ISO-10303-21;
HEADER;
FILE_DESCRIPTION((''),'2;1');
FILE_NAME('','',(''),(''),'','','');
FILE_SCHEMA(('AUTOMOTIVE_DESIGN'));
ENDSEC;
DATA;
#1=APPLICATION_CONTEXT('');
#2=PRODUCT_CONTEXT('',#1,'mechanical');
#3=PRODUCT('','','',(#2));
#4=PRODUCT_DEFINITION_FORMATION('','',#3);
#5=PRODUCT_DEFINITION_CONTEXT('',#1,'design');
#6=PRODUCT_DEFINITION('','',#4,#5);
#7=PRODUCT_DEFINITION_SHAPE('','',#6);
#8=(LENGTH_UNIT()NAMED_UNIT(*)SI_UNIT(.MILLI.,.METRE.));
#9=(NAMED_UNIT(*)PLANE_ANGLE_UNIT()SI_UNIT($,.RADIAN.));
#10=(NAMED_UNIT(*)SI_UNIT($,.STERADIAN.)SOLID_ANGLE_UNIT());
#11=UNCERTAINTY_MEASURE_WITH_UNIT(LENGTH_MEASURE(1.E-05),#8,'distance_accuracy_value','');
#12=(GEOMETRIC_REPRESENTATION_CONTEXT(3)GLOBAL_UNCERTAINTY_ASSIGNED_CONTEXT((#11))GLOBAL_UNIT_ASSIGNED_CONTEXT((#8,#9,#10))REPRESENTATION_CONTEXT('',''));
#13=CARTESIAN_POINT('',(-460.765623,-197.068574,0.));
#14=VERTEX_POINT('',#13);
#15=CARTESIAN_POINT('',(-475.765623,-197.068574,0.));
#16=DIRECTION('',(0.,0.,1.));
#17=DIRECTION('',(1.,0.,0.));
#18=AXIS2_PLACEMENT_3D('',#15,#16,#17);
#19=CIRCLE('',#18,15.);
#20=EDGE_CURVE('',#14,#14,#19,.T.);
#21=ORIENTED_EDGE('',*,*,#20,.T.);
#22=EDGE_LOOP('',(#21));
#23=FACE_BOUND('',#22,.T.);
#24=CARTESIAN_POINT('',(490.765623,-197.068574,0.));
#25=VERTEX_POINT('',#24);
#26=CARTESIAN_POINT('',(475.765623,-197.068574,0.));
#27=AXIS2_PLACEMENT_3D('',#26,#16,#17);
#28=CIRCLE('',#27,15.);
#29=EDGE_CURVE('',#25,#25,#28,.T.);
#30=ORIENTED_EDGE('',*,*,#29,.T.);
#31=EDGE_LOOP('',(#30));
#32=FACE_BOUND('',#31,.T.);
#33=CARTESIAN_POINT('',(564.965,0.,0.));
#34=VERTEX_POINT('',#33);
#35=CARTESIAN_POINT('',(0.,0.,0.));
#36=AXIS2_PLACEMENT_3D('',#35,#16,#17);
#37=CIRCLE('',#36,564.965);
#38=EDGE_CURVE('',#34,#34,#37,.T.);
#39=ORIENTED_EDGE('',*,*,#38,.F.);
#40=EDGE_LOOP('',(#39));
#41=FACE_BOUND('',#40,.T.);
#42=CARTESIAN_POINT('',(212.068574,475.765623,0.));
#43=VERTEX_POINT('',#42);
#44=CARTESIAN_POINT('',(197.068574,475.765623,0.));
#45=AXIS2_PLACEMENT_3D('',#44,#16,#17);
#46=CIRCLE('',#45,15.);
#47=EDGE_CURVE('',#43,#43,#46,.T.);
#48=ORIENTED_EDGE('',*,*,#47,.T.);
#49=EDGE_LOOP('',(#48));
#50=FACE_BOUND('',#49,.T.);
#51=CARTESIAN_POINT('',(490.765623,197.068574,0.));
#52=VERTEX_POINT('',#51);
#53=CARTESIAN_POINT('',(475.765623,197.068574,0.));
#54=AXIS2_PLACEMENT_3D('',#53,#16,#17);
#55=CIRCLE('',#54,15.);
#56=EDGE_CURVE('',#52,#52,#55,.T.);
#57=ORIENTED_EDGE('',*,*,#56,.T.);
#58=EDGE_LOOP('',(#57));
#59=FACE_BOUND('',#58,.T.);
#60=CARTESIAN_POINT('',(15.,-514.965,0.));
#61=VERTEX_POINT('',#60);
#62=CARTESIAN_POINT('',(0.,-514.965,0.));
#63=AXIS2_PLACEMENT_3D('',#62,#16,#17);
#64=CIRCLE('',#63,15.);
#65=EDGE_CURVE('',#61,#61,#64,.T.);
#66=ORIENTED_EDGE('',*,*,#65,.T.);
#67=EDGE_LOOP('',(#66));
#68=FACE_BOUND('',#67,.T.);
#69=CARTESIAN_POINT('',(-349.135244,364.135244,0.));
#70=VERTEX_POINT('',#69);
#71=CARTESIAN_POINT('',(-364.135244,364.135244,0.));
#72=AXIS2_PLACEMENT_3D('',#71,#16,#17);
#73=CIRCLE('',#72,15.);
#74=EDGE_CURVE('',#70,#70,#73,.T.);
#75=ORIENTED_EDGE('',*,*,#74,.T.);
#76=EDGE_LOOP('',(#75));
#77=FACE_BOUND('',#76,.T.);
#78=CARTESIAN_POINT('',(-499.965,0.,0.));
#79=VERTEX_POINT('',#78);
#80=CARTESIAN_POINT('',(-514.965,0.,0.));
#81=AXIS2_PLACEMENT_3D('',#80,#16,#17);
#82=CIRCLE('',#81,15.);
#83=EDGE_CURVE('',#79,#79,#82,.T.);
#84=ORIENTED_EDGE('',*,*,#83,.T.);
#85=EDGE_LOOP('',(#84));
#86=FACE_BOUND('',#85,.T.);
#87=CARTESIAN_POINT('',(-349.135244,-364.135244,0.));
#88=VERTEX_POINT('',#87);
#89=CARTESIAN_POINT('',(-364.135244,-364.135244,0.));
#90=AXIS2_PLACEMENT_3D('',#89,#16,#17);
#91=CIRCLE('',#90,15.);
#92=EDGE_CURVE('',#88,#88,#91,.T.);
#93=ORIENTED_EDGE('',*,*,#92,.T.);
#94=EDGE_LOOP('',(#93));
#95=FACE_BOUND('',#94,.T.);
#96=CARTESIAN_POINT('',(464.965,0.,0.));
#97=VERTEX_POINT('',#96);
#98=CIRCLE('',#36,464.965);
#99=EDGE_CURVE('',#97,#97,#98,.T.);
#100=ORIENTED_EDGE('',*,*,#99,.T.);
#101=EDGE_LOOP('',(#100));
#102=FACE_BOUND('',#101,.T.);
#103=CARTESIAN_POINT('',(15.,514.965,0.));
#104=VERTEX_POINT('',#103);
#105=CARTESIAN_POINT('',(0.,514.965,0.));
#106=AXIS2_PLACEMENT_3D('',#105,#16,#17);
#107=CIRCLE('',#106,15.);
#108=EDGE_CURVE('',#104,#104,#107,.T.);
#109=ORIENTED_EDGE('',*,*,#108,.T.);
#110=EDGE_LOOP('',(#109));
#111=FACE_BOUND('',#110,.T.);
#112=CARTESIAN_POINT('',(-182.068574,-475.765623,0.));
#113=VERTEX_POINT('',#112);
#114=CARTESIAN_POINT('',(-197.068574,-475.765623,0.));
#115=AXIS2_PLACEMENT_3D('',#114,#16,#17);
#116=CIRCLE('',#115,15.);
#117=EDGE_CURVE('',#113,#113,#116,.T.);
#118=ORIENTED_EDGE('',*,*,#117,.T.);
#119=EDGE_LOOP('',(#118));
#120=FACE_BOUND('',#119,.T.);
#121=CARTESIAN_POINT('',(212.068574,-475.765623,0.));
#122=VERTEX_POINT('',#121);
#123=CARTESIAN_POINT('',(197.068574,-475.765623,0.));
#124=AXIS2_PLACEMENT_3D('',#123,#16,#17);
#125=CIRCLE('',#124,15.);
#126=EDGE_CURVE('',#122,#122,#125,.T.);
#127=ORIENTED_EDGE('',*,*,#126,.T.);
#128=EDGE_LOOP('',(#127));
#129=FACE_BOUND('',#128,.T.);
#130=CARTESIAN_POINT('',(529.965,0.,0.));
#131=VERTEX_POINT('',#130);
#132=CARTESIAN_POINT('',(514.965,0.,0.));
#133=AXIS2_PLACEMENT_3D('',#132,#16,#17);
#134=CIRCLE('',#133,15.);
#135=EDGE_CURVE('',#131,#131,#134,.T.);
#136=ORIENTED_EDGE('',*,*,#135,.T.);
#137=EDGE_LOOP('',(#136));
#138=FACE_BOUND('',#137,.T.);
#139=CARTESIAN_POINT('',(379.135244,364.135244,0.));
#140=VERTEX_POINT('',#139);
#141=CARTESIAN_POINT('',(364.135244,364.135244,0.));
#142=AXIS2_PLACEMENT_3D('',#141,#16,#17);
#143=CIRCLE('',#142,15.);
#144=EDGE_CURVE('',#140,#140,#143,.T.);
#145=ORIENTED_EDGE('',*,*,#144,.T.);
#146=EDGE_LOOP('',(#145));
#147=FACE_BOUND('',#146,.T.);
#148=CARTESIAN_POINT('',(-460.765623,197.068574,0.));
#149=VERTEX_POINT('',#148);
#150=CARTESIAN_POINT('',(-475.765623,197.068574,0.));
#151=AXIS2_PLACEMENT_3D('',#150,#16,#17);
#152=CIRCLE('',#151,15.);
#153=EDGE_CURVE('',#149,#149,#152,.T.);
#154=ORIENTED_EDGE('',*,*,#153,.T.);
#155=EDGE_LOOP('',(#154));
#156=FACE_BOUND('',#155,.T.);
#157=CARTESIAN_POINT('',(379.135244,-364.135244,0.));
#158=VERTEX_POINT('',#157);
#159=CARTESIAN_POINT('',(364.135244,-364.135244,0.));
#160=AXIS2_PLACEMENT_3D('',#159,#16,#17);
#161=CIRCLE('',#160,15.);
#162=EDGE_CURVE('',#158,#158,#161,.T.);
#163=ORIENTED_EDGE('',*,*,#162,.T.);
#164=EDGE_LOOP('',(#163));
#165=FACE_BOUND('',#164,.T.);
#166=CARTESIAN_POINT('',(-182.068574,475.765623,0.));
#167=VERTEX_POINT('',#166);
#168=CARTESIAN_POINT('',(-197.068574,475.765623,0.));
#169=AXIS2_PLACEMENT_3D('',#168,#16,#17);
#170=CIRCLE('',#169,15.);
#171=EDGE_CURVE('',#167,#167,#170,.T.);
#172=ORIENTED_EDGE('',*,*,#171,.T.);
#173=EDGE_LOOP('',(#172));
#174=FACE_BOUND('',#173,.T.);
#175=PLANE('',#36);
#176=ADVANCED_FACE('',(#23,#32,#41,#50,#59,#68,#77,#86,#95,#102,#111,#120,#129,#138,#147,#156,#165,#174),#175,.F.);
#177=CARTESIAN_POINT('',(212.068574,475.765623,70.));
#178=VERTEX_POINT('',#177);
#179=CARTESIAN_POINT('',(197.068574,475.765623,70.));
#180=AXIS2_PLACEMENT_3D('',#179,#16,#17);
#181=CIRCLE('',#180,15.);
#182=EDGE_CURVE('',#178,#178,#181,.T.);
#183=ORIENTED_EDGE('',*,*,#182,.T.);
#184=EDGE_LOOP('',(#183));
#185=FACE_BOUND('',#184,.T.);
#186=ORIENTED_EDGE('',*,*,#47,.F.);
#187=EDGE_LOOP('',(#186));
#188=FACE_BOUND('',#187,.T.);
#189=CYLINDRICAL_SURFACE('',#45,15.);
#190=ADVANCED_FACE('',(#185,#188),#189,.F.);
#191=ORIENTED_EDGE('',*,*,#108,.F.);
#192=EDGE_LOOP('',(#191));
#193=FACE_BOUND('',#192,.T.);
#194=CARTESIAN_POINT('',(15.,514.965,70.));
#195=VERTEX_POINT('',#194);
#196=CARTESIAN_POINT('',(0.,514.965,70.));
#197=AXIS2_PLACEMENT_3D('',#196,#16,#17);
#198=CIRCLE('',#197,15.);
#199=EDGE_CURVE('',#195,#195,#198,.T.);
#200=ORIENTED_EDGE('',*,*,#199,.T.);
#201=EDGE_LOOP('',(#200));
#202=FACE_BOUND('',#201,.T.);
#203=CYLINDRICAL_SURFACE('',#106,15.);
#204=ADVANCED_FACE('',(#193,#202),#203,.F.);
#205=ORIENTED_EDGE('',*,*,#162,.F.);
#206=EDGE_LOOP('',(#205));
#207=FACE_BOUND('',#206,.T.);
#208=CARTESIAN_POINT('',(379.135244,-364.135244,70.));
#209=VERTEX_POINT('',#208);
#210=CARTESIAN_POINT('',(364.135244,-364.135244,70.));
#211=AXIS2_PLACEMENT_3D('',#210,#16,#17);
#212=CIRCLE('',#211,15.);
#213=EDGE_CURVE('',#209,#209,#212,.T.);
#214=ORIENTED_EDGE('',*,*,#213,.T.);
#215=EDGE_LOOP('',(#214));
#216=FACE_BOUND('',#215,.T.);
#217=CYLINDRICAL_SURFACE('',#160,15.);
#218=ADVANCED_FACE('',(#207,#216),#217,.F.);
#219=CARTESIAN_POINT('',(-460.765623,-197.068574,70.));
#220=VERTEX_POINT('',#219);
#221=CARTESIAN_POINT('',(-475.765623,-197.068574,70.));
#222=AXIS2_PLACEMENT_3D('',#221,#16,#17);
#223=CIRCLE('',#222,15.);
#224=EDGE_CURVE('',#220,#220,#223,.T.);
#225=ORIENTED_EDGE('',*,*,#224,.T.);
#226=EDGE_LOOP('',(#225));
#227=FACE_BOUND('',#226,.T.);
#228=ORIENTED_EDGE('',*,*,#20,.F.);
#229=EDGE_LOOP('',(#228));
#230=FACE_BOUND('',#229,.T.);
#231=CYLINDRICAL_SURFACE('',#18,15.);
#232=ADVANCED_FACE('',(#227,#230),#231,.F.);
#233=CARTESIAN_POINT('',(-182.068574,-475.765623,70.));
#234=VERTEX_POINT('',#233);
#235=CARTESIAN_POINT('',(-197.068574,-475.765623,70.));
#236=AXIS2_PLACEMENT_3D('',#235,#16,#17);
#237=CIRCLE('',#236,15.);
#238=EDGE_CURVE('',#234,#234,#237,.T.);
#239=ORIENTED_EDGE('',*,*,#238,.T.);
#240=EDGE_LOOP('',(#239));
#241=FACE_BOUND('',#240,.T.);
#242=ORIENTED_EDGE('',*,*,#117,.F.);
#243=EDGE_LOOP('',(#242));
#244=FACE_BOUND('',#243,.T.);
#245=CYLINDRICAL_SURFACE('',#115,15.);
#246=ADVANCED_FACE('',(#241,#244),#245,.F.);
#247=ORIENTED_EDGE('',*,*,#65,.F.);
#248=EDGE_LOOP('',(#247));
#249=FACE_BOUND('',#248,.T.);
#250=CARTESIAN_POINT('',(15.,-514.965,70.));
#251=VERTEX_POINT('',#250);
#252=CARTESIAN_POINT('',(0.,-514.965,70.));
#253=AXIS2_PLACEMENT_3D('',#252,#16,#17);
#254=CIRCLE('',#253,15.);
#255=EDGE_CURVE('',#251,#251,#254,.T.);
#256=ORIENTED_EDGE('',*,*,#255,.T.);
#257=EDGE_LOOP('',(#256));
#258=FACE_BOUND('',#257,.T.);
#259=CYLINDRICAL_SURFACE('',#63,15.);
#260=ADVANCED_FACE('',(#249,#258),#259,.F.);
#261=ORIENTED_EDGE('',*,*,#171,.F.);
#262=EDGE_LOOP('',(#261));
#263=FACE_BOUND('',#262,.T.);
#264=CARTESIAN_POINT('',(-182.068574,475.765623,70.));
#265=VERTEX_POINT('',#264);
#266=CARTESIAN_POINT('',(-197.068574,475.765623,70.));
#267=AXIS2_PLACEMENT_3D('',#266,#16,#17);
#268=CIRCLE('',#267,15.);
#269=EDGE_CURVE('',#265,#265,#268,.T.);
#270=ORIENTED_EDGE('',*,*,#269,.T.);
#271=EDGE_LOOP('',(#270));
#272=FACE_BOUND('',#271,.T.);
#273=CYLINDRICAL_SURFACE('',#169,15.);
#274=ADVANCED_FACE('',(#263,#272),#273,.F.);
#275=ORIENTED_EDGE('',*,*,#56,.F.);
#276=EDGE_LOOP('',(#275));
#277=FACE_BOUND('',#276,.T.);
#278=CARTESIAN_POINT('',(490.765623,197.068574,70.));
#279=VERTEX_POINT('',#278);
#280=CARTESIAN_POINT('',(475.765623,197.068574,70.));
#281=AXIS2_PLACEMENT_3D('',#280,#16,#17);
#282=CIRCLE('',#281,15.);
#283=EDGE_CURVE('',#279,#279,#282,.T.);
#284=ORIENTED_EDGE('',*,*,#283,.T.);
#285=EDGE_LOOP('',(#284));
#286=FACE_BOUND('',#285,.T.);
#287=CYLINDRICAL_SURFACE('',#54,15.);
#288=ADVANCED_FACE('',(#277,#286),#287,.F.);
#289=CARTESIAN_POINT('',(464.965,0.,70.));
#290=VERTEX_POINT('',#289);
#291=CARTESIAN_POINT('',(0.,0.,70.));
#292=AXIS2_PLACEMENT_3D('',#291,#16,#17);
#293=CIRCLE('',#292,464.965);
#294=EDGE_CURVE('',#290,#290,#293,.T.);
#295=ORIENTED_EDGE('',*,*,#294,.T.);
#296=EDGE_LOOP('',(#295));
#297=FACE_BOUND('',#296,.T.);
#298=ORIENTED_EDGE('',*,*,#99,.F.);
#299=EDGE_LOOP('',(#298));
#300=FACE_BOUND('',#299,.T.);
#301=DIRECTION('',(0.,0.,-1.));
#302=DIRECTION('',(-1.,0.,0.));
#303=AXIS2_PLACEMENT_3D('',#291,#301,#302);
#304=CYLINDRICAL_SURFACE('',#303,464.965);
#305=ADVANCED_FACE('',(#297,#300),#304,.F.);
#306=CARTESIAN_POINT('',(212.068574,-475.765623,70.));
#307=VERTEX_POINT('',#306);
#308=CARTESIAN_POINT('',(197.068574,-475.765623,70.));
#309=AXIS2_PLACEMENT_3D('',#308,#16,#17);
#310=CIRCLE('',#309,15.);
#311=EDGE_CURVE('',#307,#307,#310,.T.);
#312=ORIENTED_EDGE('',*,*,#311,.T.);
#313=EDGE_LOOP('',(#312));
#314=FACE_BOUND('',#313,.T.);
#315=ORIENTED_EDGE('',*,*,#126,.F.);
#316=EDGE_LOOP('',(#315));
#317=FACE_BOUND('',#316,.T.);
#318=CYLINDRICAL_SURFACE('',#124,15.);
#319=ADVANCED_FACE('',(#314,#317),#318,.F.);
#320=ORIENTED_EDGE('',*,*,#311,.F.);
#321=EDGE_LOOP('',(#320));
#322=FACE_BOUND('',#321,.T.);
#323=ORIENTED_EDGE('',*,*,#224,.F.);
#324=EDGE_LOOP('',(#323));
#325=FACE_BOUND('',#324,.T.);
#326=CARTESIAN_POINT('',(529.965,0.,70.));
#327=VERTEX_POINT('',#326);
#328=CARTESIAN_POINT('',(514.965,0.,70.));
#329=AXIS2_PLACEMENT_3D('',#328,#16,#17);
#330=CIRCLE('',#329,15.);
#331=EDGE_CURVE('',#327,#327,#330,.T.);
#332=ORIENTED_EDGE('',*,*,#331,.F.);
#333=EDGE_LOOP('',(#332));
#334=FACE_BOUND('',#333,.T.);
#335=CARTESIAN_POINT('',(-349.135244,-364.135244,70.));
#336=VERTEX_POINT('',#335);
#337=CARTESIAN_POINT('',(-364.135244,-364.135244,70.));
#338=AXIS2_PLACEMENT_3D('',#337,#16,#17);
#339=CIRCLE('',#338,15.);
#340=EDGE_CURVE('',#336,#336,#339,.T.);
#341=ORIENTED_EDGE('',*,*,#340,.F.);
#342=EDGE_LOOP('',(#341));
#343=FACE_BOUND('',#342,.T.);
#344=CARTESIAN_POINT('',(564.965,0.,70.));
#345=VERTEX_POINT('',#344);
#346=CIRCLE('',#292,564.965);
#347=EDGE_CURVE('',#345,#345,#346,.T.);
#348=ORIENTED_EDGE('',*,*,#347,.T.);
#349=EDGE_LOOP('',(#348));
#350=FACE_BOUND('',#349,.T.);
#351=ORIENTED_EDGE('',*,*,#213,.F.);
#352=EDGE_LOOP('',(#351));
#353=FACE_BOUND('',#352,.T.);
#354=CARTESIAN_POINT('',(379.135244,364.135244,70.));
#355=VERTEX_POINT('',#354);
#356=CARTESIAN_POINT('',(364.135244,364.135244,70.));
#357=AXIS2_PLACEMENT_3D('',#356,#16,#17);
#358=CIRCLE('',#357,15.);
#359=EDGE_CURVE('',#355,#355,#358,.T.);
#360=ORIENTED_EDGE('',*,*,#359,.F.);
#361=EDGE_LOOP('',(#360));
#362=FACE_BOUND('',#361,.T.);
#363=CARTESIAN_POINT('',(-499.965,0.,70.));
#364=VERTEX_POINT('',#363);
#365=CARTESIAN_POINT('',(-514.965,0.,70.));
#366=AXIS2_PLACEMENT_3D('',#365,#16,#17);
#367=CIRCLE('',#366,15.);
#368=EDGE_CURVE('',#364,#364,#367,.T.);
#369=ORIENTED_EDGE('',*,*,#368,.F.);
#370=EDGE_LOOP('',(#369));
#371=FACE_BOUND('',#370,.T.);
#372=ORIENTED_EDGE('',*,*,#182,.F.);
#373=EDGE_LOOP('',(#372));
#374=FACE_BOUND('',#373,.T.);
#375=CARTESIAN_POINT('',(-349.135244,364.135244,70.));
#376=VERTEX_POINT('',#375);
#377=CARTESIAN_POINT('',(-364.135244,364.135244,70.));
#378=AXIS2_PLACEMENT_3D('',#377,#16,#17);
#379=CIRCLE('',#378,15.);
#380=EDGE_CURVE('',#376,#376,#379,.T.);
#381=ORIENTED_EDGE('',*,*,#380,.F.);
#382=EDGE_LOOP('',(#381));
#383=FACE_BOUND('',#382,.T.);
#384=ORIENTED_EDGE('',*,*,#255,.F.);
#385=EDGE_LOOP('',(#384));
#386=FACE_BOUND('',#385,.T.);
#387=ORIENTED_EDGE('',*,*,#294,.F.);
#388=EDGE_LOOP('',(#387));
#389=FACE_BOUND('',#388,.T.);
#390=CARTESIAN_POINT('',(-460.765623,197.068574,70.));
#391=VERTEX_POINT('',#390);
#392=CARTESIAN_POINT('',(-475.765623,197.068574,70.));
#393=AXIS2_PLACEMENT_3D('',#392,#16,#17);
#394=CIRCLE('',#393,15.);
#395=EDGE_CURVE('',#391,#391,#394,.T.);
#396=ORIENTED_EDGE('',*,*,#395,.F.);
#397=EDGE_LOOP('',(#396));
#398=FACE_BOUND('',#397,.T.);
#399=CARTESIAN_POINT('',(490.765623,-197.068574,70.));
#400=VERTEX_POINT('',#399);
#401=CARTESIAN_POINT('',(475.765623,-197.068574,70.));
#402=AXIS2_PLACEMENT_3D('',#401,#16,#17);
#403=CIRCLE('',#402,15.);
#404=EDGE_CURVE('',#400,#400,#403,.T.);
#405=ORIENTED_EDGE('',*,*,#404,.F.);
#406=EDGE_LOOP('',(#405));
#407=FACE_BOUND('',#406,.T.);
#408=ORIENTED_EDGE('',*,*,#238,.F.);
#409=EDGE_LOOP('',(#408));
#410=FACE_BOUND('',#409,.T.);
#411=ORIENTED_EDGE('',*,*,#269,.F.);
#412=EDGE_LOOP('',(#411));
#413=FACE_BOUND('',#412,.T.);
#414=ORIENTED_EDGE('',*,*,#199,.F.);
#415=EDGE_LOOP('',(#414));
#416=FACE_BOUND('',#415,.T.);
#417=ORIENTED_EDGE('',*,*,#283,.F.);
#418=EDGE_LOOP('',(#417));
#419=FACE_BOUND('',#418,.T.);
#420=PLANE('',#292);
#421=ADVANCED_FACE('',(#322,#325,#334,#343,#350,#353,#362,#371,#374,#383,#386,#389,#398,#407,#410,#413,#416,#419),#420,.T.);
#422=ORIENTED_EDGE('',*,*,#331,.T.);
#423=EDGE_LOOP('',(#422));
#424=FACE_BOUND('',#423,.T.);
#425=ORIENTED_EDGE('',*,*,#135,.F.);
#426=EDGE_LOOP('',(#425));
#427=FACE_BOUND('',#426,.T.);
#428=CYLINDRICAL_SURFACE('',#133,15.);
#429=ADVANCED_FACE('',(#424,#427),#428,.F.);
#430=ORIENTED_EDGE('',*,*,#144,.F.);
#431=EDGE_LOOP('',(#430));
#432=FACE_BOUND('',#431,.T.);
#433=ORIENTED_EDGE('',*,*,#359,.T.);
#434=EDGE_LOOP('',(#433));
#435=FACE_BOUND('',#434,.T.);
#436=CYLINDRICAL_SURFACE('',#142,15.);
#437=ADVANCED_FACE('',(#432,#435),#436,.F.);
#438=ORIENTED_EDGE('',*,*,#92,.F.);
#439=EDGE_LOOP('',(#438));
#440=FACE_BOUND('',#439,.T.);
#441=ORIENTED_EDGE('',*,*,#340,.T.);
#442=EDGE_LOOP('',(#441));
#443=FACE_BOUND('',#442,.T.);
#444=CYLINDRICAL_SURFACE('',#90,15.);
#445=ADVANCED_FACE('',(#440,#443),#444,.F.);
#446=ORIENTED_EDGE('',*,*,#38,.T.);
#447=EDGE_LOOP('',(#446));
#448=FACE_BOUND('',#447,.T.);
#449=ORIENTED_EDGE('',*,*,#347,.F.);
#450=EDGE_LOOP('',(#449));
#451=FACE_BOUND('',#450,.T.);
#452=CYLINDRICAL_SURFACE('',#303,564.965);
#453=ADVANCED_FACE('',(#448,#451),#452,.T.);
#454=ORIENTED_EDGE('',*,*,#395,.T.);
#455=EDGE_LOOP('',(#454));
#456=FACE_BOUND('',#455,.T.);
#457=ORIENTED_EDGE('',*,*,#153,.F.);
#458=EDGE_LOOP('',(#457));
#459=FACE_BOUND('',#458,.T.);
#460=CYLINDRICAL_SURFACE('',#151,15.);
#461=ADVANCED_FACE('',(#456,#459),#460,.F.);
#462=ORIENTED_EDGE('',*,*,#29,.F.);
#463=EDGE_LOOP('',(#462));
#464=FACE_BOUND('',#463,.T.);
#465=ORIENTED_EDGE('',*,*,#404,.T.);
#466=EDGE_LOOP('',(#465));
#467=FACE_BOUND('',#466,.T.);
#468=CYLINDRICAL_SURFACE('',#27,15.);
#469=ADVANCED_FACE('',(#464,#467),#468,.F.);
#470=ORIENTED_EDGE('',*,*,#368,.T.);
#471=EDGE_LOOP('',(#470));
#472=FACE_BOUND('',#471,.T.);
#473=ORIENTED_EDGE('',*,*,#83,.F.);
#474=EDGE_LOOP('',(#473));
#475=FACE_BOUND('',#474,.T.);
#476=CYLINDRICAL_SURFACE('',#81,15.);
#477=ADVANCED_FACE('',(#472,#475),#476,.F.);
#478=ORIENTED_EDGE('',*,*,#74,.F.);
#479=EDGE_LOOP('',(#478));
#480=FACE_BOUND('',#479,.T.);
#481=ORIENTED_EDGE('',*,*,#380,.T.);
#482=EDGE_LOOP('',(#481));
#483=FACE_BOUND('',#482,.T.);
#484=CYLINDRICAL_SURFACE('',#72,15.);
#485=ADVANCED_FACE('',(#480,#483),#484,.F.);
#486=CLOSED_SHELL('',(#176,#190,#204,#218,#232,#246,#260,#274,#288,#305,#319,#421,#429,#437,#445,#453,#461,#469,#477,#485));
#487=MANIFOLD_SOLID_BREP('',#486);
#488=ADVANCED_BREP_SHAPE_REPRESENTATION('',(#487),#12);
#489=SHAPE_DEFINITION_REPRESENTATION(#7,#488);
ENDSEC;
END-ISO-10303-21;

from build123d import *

# Parameters (mm, degrees)
SKETCH1_R               = 564.965
SKETCH1_R_2             = 464.965
BOSS_EXTRUDE1_DEPTH     = 70
CUT_EXTRUDE2_DEPTH      = 803.041708672
CUT_EXTRUDE2_DEPTH_BACK = 803.041708672
SKETCH3_R               = 15


with BuildPart() as part:
    # Sketch1 → Boss-Extrude1 (new body)
    with BuildSketch(Plane.XY):
        Circle(SKETCH1_R)
        Circle(SKETCH1_R_2, mode=Mode.SUBTRACT)
    extrude(amount=BOSS_EXTRUDE1_DEPTH)

    # Sketch3 → Cut-Extrude2 (cut, two sides: drawn at the far end of the back side and taken through both)
    with BuildSketch(Plane.XY.offset(70).offset(-CUT_EXTRUDE2_DEPTH_BACK)):
        with Locations((197.068573748, 475.76562346)):
            Circle(SKETCH3_R)
        with Locations((364.135243574, 364.135243574)):
            Circle(SKETCH3_R)
        with Locations((475.76562346, 197.068573748)):
            Circle(SKETCH3_R)
        with Locations((514.965, 0)):
            Circle(SKETCH3_R)
        with Locations((475.76562346, -197.068573748)):
            Circle(SKETCH3_R)
        with Locations((364.135243574, -364.135243574)):
            Circle(SKETCH3_R)
        with Locations((197.068573748, -475.76562346)):
            Circle(SKETCH3_R)
        with Locations((0, -514.965)):
            Circle(SKETCH3_R)
        with Locations((-197.068573748, -475.76562346)):
            Circle(SKETCH3_R)
        with Locations((-364.135243574, -364.135243574)):
            Circle(SKETCH3_R)
        with Locations((-475.76562346, -197.068573748)):
            Circle(SKETCH3_R)
        with Locations((-514.965, 0)):
            Circle(SKETCH3_R)
        with Locations((-475.76562346, 197.068573748)):
            Circle(SKETCH3_R)
        with Locations((-364.135243574, 364.135243574)):
            Circle(SKETCH3_R)
        with Locations((-197.068573748, 475.76562346)):
            Circle(SKETCH3_R)
        with Locations((0, 514.965)):
            Circle(SKETCH3_R)
    extrude(amount=CUT_EXTRUDE2_DEPTH + CUT_EXTRUDE2_DEPTH_BACK, mode=Mode.SUBTRACT)


solid = part.part
